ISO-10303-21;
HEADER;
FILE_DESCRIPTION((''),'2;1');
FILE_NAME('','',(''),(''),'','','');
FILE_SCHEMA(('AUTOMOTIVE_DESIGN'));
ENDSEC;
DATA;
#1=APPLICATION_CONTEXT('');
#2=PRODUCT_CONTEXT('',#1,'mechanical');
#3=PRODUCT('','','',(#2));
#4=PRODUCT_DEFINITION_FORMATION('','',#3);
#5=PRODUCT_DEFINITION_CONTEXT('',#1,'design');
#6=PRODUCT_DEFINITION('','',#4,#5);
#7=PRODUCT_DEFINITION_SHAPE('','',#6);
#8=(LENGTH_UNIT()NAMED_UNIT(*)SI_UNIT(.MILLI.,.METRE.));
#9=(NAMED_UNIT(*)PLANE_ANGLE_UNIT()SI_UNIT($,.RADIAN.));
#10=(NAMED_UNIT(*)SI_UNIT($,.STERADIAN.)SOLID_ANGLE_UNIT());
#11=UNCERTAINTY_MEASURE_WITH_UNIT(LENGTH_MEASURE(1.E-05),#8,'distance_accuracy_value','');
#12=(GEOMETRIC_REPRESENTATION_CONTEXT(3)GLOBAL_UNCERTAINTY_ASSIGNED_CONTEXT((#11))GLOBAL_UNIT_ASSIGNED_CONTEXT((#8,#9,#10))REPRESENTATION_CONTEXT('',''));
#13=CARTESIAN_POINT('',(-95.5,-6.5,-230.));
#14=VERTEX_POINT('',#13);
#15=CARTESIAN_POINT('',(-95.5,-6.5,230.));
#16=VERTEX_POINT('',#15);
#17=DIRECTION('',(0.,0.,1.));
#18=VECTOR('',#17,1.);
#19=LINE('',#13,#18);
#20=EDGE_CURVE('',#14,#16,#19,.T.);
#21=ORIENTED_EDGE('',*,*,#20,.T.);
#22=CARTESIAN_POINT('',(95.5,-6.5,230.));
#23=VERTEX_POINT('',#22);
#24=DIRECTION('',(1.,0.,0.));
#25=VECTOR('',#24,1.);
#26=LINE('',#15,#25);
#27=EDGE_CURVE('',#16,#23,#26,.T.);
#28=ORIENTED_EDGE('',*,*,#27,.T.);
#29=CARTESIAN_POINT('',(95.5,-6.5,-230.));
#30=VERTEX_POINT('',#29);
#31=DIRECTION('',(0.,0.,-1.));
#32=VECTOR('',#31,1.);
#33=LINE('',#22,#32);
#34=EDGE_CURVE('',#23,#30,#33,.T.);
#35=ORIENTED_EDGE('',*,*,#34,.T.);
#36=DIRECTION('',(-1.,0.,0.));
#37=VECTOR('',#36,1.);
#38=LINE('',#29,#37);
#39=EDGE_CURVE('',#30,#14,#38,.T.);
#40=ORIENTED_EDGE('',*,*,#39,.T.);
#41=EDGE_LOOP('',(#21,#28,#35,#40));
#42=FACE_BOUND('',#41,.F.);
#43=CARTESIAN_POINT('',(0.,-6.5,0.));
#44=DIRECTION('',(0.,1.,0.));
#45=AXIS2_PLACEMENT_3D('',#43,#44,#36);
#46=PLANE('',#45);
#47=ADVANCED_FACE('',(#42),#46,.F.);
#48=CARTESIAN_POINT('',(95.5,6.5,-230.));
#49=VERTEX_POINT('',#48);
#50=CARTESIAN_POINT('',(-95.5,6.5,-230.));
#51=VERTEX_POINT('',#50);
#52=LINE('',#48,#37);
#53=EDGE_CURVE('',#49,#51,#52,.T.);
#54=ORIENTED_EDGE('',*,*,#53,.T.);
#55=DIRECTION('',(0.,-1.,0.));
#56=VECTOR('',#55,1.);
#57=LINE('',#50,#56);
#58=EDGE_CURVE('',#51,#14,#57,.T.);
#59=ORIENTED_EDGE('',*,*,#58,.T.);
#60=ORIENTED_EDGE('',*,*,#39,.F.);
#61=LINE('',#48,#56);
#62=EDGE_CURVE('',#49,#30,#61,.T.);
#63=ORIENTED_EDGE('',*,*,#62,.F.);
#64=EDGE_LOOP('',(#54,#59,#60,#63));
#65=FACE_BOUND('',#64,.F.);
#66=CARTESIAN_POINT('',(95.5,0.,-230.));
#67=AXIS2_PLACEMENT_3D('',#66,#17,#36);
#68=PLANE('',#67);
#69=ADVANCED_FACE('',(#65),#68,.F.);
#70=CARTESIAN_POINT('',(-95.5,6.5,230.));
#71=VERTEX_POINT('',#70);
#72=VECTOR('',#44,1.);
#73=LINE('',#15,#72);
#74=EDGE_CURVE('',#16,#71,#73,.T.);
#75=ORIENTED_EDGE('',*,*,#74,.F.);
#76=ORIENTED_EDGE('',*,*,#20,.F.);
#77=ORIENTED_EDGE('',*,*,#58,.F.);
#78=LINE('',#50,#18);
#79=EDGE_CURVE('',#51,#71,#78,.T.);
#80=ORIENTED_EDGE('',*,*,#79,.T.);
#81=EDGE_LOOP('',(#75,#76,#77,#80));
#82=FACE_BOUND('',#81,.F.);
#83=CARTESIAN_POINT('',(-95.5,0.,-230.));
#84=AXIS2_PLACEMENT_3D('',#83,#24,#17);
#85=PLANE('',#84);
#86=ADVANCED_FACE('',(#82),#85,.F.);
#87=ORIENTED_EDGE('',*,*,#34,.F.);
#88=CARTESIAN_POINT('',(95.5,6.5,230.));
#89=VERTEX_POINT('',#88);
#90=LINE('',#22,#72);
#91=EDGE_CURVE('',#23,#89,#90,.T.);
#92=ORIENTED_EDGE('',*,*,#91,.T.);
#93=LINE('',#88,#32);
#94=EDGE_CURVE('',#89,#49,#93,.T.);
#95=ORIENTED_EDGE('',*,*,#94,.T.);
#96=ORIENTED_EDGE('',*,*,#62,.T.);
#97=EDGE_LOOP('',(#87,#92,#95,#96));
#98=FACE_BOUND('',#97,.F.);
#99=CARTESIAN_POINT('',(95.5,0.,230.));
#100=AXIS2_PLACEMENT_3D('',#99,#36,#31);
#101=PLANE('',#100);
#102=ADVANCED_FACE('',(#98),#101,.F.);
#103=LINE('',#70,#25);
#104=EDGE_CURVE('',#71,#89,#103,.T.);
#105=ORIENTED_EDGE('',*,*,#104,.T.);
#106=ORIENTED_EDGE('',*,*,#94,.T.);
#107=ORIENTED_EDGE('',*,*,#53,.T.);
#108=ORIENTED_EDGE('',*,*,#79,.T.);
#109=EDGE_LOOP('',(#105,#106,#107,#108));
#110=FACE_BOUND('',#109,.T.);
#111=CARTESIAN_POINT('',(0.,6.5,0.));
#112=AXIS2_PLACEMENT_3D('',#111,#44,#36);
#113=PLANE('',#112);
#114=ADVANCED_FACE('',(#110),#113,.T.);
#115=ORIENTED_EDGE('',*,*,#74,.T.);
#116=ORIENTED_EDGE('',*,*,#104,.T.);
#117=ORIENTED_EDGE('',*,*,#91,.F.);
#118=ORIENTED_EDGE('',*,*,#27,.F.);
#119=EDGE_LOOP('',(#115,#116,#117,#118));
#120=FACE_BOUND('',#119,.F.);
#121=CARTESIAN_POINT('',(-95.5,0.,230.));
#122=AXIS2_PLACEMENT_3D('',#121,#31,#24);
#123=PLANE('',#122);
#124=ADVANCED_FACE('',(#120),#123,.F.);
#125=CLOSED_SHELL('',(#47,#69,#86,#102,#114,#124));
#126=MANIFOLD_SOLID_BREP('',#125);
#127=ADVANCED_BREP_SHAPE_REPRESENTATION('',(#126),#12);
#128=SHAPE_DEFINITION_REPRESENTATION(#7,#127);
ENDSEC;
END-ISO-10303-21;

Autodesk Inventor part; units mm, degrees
ref_plane "YZ Plane" through (0, 0, 0) normal (1, 0, 0) x (0, 1, 0)
ref_plane "XZ Plane" through (0, 0, 0) normal (0, 1, 0) x (-1, 0, 0)
ref_plane "XY Plane" through (0, 0, 0) normal (0, 0, 1) x (1, 0, 0)
sketch "Sketch1" plane through (0, 0, 0) normal (0, 1, 0) x (-1, 0, 0)
  line L0 (95.5, 230) -> (-95.5, 230)
  line L1 (-95.5, 230) -> (-95.5, -230)
  line L2 (-95.5, -230) -> (95.5, -230)
  line L3 (95.5, -230) -> (95.5, 230)
  line L4 (95.5, 230) -> (-95.5, -230) construction
  line L5 (-95.5, 230) -> (95.5, -230) construction
  point P0 (0, 0)
  dimension "d0" = 191
  dimension "d1" = 460
extrude "Extrusion1" add sketch "Sketch1" along normal mid plane 13
properties part number "CNC-1.1v-X-5-(plate form mover for yz A)"
